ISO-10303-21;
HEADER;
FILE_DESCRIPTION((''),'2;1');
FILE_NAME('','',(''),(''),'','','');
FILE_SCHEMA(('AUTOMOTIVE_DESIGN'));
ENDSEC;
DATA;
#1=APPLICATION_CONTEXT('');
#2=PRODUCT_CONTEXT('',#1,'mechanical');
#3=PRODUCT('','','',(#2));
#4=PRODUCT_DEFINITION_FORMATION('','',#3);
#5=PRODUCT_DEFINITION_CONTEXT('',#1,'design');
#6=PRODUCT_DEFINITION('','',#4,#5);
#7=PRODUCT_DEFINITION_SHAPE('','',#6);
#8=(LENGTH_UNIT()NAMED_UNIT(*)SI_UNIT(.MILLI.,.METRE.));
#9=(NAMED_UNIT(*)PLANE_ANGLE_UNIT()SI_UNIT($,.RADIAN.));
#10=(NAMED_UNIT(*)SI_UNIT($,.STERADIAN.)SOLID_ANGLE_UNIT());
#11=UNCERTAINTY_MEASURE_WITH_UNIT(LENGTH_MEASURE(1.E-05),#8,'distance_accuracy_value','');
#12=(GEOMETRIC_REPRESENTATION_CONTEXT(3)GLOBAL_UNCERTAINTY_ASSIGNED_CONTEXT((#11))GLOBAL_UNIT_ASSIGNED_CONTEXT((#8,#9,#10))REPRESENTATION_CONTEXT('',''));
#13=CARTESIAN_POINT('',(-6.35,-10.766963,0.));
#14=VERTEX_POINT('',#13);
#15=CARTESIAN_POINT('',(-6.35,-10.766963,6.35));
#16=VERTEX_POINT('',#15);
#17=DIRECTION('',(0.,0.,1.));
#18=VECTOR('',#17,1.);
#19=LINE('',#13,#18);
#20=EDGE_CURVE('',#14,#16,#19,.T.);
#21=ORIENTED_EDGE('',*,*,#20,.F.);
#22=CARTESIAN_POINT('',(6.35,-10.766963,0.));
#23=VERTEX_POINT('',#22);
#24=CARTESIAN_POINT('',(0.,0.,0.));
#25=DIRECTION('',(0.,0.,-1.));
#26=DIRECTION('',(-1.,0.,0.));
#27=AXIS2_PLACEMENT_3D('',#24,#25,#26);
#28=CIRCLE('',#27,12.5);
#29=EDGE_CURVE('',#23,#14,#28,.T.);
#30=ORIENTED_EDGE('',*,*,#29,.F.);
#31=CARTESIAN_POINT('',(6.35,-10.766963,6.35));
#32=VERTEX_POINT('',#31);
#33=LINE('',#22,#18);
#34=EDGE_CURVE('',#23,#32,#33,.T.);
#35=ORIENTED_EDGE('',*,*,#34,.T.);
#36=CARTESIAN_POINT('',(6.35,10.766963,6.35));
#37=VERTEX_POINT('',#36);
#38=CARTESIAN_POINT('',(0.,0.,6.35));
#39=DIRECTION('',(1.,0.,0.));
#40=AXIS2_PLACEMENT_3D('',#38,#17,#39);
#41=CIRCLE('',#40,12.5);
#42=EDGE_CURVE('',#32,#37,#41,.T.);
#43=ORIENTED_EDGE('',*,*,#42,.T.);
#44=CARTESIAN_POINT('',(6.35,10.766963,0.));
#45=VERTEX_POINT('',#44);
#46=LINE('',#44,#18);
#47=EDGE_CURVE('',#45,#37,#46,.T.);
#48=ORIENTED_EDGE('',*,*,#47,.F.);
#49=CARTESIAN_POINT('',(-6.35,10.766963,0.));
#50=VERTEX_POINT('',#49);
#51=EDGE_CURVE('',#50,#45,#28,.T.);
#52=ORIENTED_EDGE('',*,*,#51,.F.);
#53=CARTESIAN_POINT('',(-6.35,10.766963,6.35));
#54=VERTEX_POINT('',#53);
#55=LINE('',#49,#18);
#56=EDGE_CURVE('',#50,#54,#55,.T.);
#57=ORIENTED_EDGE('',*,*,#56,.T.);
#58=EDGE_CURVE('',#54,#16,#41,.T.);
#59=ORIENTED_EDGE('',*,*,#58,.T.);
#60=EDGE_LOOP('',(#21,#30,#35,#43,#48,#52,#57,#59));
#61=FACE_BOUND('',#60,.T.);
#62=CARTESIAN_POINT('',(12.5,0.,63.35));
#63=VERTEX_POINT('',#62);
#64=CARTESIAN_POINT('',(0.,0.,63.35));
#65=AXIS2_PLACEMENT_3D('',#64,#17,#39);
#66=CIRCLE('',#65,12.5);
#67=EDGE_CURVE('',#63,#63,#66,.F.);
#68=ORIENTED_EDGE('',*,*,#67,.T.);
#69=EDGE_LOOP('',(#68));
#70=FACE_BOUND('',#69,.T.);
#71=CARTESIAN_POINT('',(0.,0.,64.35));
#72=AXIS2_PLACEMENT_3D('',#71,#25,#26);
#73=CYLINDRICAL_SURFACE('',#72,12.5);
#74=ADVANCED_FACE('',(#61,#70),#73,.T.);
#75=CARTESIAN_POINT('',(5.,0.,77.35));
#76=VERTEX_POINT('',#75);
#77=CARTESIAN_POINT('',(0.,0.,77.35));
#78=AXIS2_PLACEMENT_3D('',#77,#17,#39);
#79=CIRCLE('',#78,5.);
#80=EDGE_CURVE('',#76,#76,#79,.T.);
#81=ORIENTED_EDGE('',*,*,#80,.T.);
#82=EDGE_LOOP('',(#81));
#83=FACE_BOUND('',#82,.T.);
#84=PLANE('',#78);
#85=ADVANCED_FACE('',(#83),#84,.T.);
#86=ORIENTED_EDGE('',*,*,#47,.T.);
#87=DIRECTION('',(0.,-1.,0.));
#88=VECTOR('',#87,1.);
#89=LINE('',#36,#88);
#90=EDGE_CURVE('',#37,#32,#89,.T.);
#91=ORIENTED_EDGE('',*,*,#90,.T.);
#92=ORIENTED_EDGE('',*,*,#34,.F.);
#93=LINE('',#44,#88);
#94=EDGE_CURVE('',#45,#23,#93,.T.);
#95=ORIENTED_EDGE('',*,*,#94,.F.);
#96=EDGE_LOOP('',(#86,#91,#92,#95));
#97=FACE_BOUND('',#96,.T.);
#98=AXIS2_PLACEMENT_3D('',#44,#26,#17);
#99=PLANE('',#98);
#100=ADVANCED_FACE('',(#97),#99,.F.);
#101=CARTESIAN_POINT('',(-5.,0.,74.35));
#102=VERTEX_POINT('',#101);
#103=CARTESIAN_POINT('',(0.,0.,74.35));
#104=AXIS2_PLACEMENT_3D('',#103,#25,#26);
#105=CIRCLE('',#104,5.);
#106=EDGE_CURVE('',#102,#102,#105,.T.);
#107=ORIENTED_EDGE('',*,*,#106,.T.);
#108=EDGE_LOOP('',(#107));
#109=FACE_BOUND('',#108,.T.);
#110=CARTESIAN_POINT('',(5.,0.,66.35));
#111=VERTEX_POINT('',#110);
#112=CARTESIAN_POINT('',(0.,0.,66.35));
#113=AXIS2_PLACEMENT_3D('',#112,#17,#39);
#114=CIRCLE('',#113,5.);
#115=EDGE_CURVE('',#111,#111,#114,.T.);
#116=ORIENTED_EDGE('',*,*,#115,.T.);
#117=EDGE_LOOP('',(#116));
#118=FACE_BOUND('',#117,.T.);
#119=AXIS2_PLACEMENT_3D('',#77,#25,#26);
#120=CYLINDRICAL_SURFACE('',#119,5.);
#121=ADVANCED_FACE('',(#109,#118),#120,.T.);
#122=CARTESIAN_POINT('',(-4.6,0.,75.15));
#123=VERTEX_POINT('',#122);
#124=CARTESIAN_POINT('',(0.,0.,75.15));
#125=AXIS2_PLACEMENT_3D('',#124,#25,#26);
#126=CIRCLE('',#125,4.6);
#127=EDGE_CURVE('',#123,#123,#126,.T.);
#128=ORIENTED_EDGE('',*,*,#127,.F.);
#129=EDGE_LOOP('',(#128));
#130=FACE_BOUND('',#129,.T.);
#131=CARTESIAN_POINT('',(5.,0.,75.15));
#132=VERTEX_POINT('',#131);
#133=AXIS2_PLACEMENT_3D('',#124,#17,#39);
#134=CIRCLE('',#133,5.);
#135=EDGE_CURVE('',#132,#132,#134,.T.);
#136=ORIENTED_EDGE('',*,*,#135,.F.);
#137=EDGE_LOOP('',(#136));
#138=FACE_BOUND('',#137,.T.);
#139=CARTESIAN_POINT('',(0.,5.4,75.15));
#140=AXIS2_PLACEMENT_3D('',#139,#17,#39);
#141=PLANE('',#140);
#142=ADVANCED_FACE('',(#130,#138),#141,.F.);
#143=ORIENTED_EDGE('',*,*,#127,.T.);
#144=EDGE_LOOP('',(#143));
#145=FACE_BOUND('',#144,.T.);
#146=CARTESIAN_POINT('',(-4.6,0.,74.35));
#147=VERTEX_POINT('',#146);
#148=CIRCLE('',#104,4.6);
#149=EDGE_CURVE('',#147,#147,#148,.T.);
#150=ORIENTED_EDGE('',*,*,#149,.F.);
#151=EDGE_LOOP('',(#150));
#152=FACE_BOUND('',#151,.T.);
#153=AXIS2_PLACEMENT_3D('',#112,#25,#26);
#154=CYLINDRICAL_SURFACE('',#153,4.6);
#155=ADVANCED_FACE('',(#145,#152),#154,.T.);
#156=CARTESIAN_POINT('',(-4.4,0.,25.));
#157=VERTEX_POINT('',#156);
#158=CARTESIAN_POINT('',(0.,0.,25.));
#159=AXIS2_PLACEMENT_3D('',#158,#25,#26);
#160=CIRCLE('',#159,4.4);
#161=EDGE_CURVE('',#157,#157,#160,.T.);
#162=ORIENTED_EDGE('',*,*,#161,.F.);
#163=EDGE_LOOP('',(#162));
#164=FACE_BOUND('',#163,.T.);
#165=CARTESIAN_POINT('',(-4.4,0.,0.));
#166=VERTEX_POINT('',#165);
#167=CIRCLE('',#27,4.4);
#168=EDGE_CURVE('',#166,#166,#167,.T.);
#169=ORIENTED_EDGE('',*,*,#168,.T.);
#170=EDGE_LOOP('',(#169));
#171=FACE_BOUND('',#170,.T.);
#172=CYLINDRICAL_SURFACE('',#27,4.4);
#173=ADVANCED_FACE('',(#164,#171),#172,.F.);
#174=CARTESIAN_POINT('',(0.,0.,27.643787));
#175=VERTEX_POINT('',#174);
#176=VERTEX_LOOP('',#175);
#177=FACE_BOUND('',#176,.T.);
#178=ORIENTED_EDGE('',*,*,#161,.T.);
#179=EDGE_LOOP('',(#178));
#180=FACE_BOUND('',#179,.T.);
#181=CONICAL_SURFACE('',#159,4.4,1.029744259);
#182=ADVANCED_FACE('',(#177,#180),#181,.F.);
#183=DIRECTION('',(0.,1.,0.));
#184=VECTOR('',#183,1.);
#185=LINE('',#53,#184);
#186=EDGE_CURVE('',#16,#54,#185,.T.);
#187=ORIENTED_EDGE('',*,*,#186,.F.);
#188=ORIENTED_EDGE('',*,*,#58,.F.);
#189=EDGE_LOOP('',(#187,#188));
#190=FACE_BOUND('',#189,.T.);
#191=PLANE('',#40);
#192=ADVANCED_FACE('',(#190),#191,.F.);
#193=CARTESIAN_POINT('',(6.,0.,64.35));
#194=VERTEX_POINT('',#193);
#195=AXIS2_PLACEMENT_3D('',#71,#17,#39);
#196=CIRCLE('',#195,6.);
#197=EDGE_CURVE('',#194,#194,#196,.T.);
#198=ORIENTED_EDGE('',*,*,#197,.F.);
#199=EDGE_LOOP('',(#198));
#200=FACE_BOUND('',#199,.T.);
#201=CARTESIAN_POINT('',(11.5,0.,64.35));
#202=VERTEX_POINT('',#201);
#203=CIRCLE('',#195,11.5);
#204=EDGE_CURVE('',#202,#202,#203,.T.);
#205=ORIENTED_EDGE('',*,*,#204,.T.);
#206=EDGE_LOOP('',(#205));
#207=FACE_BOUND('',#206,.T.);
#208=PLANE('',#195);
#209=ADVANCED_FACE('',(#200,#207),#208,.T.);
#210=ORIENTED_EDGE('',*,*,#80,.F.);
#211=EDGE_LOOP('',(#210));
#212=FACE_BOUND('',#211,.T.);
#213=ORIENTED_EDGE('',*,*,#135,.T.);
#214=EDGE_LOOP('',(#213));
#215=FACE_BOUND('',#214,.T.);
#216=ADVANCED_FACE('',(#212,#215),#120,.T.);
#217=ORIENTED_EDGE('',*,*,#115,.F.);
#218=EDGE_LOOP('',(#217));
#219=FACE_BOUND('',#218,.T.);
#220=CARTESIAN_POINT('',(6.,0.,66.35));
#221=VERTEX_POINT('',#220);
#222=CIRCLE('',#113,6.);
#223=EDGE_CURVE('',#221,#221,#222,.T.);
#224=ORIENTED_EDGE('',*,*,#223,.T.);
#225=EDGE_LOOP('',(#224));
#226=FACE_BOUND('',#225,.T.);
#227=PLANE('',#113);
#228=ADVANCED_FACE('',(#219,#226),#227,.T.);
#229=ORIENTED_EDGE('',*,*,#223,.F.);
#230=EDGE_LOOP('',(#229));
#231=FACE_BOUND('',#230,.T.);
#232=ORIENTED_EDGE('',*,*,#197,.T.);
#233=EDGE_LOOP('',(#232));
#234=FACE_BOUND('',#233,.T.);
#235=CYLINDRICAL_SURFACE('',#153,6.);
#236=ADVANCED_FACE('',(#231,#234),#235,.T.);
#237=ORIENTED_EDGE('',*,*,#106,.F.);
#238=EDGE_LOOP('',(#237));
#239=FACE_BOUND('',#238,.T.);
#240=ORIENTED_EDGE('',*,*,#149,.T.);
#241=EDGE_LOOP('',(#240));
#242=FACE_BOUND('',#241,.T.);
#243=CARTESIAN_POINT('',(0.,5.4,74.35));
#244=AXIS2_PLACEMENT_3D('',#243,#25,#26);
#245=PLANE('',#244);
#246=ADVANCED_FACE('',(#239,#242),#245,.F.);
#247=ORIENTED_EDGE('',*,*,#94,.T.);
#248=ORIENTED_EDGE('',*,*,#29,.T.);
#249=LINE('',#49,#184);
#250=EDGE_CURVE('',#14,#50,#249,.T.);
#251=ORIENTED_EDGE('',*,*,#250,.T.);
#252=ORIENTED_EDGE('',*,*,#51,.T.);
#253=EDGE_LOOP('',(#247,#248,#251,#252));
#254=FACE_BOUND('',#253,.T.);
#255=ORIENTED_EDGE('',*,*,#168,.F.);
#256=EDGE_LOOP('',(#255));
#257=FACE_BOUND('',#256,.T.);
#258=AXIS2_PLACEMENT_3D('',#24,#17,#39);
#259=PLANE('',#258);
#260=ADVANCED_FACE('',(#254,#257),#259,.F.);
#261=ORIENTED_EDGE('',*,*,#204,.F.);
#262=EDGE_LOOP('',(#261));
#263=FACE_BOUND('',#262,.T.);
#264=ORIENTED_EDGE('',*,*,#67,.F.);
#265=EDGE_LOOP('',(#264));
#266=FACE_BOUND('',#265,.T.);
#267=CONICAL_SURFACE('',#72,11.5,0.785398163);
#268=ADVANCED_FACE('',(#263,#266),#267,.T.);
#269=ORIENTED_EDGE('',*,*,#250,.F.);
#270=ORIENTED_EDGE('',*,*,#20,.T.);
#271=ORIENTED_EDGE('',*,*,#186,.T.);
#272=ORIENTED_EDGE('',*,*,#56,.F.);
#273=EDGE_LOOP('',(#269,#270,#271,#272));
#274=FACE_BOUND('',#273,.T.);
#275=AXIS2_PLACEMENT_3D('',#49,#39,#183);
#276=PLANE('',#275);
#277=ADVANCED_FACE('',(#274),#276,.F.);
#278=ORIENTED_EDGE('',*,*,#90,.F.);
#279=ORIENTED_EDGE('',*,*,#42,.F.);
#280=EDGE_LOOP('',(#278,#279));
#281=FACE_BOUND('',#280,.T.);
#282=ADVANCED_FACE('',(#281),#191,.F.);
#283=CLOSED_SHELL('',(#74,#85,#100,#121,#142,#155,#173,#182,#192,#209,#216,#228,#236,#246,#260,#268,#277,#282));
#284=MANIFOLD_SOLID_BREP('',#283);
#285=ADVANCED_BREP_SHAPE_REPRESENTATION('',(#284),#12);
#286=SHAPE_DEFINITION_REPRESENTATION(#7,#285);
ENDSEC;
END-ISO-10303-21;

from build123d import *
from build123d.topology import SkipClean

# Parameters (mm, degrees)
CROQUIS1_R                      = 6.35
SALIENTE_EXTRUIR1_DEPTH         = 6.35
CROQUIS2_R                      = 12.5
SALIENTE_EXTRUIR2_DEPTH         = 58
CROQUIS3_R                      = 6
SALIENTE_EXTRUIR3_DEPTH         = 2
CROQUIS4_R                      = 5
SALIENTE_EXTRUIR4_DEPTH         = 11
SALIENTE_EXTRUIR5_START         = 6.35
SALIENTE_EXTRUIR5_DEPTH         = 6.35
CROQUIS7_W                      = 0.8
CROQUIS7_H                      = 0.8
CHAFL_N1_SIZE                   = 1
TALADRO_ROSCADO_M10X1_251_D     = 8.8
TALADRO_ROSCADO_M10X1_251_DEPTH = 25
TALADRO_ROSCADO_M10X1_251_TIP   = 2.643786724


with BuildPart() as part:
    # Croquis1 → Saliente-Extruir1 (new body)
    with BuildSketch(Plane.XY):
        Circle(CROQUIS1_R)
    extrude(amount=SALIENTE_EXTRUIR1_DEPTH)

    # Croquis2 → Saliente-Extruir2 (add)
    with BuildSketch(Plane.XY.offset(6.35)):
        with Locations(Location((0, 0, 0), (0, 0, 180))):
            Circle(CROQUIS2_R)
    extrude(amount=SALIENTE_EXTRUIR2_DEPTH)

    # Croquis3 → Saliente-Extruir3 (add)
    with BuildSketch(Plane.XY.offset(64.35)):
        Circle(CROQUIS3_R)
    extrude(amount=SALIENTE_EXTRUIR3_DEPTH)

    # Croquis4 → Saliente-Extruir4 (add)
    with BuildSketch(Plane.XY.offset(66.35)):
        Circle(CROQUIS4_R)
    extrude(amount=SALIENTE_EXTRUIR4_DEPTH)

    # Croquis6 → Saliente-Extruir5 (add)
    with SkipClean():  # the faces are left unmerged after this step: merging them gives an invalid solid
        with BuildSketch(Plane(origin=(0, 0, 6.35), x_dir=(-1, 0, 0), z_dir=(0, 0, -1)).offset(SALIENTE_EXTRUIR5_START)):
            with BuildLine():
                Line((-6.35, 10.76696336), (-6.35, -10.76696336))
                ThreePointArc((-6.35, -10.76696336), (0, -12.5), (6.35, -10.76696336))
                Line((6.35, -10.76696336), (6.35, 10.76696336))
                ThreePointArc((6.35, 10.76696336), (0, 12.5), (-6.35, 10.76696336))
            make_face()
        extrude(amount=-SALIENTE_EXTRUIR5_DEPTH)

    # Croquis7 → Cortar-Revolución1 (revolve, cut)
    with SkipClean():  # the faces are left unmerged after this step: merging them gives an invalid solid
        with BuildSketch(Plane(origin=(0, 0, 0), x_dir=(0, 0, -1), z_dir=(1, 0, 0)), mode=Mode.PRIVATE) as cortar_revoluci_n1_sk:
            with Locations((-74.75, 5)):
                Rectangle(CROQUIS7_W, CROQUIS7_H)
        revolve(cortar_revoluci_n1_sk.sketch.rotate(Axis((0, 0, 66.35), (0, 0, 1)), 90), axis=Axis((0, 0, 66.35), (0, 0, 1)), mode=Mode.SUBTRACT)

    # Chaflán1
    chafl_n1_edges = [part.edges().sort_by_distance(p)[0] for p in [
        (12.5, 0, 64.35),
    ]]
    chamfer(chafl_n1_edges, length=CHAFL_N1_SIZE)

    # Taladro roscado M10x1.251
    with Locations(Plane(origin=(0, 0, 0), x_dir=(-1, 0, 0), z_dir=(0, 0, -1))):
        with Locations((0, 0)):
            Hole(TALADRO_ROSCADO_M10X1_251_D / 2, depth=TALADRO_ROSCADO_M10X1_251_DEPTH)
            with Locations((0, 0, -(TALADRO_ROSCADO_M10X1_251_DEPTH + TALADRO_ROSCADO_M10X1_251_TIP / 2))):  # 118° drill point
                Cone(0, TALADRO_ROSCADO_M10X1_251_D / 2, TALADRO_ROSCADO_M10X1_251_TIP, mode=Mode.SUBTRACT)


solid = part.part
